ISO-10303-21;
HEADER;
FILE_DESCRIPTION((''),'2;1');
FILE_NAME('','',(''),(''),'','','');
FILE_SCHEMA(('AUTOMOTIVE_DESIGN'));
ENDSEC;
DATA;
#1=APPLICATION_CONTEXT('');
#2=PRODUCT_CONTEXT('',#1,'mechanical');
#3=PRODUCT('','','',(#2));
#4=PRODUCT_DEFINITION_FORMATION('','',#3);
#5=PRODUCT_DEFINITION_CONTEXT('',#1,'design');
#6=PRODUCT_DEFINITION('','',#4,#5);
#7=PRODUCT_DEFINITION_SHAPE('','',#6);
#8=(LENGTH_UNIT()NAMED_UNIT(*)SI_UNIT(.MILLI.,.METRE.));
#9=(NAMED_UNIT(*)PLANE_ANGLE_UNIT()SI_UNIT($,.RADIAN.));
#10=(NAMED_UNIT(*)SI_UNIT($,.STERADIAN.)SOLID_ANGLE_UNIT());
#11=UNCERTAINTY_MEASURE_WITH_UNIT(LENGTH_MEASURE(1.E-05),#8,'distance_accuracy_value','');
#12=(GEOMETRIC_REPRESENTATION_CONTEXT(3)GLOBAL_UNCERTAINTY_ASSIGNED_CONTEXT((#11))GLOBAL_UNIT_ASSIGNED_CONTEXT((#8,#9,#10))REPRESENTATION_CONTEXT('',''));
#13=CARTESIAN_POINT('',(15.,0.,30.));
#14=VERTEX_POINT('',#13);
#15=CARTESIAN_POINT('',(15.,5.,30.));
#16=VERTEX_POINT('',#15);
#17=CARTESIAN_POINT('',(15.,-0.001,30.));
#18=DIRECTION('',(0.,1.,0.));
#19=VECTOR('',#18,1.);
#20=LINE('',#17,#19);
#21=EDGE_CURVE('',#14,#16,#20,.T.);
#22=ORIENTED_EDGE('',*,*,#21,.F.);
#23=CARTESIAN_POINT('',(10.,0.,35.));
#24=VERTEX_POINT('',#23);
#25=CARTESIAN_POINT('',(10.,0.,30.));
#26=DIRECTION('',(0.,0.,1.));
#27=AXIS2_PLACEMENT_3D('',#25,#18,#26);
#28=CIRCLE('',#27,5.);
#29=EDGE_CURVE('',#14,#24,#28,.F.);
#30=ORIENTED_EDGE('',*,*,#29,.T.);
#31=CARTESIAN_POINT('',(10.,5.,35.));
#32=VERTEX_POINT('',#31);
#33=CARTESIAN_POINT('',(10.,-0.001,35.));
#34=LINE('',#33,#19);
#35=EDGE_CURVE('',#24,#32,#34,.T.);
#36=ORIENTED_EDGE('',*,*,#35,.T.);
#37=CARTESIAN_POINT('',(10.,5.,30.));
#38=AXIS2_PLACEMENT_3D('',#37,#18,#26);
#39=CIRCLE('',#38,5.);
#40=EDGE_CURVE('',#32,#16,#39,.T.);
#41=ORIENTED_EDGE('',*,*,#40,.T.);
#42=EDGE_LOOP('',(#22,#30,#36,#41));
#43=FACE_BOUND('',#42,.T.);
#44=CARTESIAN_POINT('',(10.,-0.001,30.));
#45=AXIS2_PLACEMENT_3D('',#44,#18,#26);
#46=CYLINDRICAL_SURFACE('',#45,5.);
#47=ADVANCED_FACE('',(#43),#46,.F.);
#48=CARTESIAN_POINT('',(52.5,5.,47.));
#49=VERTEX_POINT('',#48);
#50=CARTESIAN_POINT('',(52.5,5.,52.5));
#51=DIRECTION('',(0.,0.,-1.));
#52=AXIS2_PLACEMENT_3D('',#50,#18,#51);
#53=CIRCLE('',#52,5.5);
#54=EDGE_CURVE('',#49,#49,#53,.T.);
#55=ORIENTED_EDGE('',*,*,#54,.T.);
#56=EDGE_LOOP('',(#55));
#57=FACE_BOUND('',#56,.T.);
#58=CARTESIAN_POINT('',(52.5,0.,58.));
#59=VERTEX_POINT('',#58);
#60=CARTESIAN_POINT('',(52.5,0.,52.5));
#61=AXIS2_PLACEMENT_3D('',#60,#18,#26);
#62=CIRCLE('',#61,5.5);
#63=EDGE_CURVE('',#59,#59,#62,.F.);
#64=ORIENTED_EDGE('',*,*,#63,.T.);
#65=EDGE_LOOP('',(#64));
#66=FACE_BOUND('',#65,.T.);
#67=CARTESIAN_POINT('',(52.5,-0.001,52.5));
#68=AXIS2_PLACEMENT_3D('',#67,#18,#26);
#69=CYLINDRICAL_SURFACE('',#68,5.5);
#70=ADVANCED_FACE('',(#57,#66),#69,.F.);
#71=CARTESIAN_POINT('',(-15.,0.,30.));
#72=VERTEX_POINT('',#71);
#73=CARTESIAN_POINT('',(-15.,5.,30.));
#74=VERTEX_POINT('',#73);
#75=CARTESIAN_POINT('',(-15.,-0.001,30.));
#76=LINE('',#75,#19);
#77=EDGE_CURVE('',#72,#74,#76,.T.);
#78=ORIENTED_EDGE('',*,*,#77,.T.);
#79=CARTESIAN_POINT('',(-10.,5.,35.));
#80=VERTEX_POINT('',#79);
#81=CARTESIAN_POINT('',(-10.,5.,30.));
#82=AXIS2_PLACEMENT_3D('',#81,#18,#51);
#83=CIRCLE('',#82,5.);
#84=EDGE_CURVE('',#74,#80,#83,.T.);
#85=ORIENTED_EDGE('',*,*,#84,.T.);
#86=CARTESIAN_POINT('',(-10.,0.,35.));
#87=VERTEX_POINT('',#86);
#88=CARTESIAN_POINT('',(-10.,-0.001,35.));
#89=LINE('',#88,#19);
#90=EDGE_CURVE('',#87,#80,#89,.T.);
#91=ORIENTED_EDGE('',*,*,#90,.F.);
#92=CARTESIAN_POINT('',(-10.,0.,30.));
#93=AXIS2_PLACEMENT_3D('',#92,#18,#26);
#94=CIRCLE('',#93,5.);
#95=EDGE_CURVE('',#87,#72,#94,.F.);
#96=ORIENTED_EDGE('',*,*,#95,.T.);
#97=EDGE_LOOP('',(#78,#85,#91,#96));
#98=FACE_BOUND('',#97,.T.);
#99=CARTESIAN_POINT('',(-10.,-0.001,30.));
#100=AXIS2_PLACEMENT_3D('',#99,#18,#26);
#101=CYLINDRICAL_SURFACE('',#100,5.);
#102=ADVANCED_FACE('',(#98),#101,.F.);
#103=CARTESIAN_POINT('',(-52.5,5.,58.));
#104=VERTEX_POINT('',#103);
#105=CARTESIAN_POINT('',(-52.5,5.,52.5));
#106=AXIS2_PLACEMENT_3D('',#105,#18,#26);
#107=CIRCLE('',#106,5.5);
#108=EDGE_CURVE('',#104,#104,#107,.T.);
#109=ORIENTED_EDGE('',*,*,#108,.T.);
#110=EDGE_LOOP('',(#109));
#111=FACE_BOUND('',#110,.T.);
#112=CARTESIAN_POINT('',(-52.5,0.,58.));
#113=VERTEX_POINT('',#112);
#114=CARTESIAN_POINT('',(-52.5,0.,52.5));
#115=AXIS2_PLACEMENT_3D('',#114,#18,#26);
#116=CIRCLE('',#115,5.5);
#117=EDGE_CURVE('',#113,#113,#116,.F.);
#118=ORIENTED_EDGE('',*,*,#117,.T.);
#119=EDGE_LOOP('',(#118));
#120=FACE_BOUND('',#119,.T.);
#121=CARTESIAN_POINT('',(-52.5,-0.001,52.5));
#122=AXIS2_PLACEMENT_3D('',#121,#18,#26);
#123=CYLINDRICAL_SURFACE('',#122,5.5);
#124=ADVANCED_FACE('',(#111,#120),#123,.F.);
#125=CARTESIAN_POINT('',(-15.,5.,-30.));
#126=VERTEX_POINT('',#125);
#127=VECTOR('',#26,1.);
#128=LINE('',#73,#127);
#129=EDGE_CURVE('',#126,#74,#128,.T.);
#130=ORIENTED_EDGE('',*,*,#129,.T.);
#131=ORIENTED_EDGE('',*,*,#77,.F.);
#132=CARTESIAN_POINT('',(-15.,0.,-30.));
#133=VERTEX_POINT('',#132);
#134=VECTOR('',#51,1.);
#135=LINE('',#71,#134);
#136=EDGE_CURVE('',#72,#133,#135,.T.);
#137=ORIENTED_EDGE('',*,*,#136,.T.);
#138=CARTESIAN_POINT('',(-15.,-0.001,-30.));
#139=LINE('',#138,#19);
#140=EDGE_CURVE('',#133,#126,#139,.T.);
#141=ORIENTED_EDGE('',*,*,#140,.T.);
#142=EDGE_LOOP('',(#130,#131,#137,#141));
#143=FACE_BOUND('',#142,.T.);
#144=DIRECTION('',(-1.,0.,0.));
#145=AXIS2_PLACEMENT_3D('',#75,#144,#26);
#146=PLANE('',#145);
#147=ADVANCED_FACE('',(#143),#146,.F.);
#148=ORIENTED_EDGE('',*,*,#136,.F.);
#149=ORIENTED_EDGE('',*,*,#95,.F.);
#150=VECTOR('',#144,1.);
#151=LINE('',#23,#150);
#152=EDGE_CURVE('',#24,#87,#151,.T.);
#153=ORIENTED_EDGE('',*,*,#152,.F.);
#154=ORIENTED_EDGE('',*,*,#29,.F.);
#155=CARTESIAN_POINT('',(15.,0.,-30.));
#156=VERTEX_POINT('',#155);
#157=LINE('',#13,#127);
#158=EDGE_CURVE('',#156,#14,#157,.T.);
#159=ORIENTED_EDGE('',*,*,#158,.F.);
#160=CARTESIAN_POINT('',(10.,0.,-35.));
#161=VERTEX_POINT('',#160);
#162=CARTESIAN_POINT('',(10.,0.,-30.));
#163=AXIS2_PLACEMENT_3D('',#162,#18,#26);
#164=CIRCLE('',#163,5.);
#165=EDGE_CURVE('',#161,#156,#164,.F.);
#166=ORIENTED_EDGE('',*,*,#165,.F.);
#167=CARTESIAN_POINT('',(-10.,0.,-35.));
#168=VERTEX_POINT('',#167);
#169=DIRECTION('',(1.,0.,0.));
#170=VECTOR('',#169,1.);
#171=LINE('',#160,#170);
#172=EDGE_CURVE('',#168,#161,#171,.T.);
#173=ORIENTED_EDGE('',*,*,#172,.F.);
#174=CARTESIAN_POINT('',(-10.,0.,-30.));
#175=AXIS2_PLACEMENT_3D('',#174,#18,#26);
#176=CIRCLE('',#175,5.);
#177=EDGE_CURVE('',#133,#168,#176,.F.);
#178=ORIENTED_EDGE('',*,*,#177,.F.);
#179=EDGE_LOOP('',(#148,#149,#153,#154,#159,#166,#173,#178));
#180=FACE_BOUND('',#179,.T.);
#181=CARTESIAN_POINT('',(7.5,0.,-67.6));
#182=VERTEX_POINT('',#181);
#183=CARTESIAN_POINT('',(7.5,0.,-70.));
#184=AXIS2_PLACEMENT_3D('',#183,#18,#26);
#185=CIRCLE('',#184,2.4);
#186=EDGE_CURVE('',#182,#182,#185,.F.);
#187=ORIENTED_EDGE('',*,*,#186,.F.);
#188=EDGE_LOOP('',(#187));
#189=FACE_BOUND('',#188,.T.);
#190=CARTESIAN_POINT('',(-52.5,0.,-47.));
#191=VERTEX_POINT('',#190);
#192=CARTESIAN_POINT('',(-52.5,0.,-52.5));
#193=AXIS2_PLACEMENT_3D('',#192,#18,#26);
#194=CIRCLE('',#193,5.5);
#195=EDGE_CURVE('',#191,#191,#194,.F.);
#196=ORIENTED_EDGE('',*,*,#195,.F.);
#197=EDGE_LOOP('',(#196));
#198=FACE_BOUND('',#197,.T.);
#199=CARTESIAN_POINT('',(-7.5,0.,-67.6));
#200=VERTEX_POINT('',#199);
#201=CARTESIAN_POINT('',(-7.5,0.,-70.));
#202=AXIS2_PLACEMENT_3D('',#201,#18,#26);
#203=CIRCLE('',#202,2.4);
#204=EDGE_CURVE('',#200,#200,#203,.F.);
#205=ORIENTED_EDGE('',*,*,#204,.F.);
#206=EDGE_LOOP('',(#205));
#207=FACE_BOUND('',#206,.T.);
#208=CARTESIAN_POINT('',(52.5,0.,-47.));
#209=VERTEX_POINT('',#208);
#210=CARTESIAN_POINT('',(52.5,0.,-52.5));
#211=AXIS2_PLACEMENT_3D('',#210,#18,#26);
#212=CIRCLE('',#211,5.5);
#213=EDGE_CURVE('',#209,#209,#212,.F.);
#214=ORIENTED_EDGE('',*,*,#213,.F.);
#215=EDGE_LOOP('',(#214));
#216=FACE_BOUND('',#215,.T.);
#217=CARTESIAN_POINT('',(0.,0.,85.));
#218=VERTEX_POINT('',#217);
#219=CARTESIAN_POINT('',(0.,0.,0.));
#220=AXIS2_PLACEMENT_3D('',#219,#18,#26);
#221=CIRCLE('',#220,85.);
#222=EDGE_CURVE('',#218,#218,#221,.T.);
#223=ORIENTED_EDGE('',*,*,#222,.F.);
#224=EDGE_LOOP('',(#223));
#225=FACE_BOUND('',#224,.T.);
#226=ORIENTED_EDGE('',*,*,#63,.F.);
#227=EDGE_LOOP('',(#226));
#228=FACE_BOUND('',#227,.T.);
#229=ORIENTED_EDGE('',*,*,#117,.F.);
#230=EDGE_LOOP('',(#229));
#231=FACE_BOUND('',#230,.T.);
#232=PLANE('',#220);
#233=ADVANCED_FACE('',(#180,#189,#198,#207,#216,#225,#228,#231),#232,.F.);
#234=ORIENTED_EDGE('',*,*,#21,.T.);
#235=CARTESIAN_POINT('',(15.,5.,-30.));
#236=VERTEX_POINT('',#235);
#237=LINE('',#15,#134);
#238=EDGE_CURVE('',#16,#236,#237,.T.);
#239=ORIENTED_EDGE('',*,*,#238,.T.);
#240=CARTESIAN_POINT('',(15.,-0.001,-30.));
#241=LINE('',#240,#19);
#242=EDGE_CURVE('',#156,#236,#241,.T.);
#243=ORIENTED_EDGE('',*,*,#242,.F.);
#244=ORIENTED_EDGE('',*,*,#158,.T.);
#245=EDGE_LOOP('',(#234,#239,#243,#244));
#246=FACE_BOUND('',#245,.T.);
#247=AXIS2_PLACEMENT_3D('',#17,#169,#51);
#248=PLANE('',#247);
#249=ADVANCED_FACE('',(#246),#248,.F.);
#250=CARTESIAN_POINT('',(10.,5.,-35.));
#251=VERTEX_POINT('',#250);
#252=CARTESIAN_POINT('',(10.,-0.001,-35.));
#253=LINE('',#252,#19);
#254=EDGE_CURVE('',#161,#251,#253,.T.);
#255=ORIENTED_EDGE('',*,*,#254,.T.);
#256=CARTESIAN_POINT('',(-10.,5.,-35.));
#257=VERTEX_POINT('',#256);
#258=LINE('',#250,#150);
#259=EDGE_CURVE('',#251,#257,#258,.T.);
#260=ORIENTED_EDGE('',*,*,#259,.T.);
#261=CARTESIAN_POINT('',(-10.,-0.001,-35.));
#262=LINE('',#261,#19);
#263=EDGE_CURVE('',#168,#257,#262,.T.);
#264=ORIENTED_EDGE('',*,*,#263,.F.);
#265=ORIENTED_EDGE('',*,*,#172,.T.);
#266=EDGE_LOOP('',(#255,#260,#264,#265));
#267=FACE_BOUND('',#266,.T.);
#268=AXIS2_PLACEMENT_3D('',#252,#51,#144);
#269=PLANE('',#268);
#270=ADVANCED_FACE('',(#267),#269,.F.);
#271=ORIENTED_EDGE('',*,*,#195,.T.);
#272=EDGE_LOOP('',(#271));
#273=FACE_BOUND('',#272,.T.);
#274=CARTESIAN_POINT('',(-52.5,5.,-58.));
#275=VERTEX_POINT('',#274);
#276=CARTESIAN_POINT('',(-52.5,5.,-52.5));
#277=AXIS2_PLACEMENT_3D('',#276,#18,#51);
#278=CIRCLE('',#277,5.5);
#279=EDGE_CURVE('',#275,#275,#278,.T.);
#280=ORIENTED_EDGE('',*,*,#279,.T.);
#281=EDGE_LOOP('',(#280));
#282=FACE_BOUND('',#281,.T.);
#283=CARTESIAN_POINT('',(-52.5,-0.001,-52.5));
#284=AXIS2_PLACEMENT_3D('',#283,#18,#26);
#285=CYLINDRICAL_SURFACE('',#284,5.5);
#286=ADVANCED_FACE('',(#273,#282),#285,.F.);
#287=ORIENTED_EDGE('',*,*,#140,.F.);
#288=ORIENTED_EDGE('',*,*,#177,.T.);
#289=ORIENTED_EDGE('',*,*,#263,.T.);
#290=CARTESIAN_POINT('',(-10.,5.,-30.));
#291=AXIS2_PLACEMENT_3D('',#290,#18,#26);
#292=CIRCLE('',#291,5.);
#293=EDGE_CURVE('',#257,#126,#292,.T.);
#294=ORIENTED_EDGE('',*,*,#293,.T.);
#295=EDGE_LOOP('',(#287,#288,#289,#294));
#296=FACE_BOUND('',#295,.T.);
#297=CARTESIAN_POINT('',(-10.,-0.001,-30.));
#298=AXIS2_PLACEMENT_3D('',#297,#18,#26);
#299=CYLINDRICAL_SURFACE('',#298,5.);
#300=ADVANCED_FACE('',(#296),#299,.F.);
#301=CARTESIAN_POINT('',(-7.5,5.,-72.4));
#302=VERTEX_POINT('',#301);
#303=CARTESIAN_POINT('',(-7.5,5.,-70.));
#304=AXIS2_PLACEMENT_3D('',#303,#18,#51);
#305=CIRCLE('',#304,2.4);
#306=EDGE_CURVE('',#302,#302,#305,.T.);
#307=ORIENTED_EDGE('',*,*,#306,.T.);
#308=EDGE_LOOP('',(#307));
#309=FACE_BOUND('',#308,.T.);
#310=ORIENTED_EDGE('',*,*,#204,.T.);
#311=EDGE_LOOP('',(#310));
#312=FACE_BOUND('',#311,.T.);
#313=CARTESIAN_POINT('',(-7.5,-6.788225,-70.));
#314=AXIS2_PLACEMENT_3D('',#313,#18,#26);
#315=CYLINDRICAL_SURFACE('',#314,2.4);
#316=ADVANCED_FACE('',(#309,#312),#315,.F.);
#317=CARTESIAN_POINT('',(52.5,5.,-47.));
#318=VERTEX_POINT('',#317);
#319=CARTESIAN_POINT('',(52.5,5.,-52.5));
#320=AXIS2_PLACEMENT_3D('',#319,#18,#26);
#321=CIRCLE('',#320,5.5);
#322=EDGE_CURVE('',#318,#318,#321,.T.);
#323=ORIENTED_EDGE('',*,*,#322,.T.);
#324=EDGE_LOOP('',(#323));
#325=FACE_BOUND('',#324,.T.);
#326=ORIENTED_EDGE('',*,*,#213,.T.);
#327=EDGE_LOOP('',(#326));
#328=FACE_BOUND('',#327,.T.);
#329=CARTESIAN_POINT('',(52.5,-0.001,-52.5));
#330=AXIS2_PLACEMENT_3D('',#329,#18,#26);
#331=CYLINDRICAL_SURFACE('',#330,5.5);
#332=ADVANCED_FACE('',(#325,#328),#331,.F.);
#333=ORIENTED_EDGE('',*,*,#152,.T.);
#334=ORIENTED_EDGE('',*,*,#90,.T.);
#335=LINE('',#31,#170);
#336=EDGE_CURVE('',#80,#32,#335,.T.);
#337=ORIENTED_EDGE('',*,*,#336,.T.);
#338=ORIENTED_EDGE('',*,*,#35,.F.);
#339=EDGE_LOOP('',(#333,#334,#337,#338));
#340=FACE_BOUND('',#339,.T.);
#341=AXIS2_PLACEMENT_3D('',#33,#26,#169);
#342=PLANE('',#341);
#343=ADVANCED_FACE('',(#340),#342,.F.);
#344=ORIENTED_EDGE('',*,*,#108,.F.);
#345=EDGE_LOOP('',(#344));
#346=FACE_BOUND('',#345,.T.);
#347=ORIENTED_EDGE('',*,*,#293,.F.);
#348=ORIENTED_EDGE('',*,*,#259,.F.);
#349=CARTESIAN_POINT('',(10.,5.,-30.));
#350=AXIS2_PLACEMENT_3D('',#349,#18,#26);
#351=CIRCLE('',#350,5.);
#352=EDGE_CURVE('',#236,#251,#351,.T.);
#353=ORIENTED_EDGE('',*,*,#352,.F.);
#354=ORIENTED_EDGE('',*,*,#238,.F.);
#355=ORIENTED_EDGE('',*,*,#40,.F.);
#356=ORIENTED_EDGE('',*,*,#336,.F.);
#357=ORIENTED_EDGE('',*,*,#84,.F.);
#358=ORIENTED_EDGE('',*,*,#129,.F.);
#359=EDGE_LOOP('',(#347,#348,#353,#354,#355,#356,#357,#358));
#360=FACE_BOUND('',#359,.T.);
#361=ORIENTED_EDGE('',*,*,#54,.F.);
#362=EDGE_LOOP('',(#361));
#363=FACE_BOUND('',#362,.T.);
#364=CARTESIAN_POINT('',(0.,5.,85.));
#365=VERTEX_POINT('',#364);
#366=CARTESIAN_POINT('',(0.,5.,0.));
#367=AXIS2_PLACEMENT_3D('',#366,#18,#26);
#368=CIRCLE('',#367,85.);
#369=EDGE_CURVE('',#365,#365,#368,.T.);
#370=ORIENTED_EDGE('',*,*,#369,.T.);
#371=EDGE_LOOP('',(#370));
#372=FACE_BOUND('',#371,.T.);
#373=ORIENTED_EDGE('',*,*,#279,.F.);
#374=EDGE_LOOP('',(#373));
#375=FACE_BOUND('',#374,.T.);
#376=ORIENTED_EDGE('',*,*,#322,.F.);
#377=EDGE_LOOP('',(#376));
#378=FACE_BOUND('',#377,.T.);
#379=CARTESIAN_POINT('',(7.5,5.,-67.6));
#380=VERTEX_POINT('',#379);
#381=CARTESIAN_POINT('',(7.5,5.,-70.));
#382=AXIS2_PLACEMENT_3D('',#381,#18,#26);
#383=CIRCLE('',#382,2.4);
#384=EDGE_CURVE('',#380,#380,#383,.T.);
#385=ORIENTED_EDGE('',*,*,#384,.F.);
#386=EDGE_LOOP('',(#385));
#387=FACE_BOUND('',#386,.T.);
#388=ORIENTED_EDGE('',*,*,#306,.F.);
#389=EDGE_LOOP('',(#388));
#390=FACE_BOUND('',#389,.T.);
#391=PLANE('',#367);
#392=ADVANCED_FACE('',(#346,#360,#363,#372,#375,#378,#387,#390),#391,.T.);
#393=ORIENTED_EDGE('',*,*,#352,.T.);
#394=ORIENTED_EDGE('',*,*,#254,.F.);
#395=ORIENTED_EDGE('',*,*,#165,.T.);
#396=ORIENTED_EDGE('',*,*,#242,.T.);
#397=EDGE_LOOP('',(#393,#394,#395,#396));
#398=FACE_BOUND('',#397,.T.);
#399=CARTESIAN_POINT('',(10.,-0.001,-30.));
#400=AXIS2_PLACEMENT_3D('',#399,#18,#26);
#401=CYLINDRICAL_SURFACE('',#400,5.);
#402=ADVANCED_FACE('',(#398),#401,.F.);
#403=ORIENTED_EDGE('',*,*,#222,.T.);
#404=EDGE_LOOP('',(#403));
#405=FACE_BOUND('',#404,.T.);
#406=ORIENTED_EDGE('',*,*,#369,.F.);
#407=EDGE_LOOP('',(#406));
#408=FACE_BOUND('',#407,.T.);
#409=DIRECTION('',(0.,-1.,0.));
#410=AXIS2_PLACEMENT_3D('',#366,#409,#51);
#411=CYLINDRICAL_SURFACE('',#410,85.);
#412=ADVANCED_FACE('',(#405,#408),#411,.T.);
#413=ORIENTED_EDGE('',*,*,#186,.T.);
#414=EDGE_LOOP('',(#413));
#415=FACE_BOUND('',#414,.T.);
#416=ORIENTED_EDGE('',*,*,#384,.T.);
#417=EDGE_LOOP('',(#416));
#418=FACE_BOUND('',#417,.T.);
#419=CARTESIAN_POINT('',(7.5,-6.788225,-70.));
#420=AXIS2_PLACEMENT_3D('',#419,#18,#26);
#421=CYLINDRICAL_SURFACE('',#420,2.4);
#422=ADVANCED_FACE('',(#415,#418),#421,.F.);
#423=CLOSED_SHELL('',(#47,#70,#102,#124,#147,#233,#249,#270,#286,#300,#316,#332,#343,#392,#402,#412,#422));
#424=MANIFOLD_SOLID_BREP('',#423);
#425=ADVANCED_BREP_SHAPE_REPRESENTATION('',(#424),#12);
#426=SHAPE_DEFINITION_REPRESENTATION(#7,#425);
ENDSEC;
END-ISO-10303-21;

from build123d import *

# Parameters (mm, degrees)
SKETCH1_R          = 85
BASE_DEPTH         = 5
BOLT_HOLES_REACH   = 7
SKETCH2_R          = 5.5
SLOT_REACH         = 7
SKETCH5_R          = 2.4
SWITCH_HOLES_DEPTH = 5


with BuildPart() as part:
    # Sketch1 → Base (new body)
    with BuildSketch(Plane(origin=(0, 0, 0), x_dir=(1, 0, 0), z_dir=(0, 1, 0))):
        Circle(SKETCH1_R)
    extrude(amount=BASE_DEPTH)

    # Sketch2 → Bolt Holes (cut, up to next)
    with BuildSketch(Plane(origin=(0, 5, 0), x_dir=(1, 0, 0), z_dir=(0, 1, 0)), mode=Mode.PRIVATE) as bolt_holes_sk1:
        with Locations((52.5, 52.5)):
            Circle(SKETCH2_R)
    bolt_holes_tool1 = extrude(bolt_holes_sk1.sketch, amount=-BOLT_HOLES_REACH, mode=Mode.PRIVATE) & part.part
    add(bolt_holes_tool1.solids().sort_by_distance((52.5, 5, -52.5))[0], mode=Mode.SUBTRACT)
    # Sketch2 → Bolt Holes (cut, up to next)
    with BuildSketch(Plane(origin=(0, 5, 0), x_dir=(1, 0, 0), z_dir=(0, 1, 0)), mode=Mode.PRIVATE) as bolt_holes_sk2:
        with Locations((-52.5, 52.5)):
            Circle(SKETCH2_R)
    bolt_holes_tool2 = extrude(bolt_holes_sk2.sketch, amount=-BOLT_HOLES_REACH, mode=Mode.PRIVATE) & part.part
    add(bolt_holes_tool2.solids().sort_by_distance((-52.5, 5, -52.5))[0], mode=Mode.SUBTRACT)
    # Sketch2 → Bolt Holes (cut, up to next)
    with BuildSketch(Plane(origin=(0, 5, 0), x_dir=(1, 0, 0), z_dir=(0, 1, 0)), mode=Mode.PRIVATE) as bolt_holes_sk3:
        with Locations((52.5, -52.5)):
            Circle(SKETCH2_R)
    bolt_holes_tool3 = extrude(bolt_holes_sk3.sketch, amount=-BOLT_HOLES_REACH, mode=Mode.PRIVATE) & part.part
    add(bolt_holes_tool3.solids().sort_by_distance((52.5, 5, 52.5))[0], mode=Mode.SUBTRACT)
    # Sketch2 → Bolt Holes (cut, up to next)
    with BuildSketch(Plane(origin=(0, 5, 0), x_dir=(1, 0, 0), z_dir=(0, 1, 0)), mode=Mode.PRIVATE) as bolt_holes_sk4:
        with Locations((-52.5, -52.5)):
            Circle(SKETCH2_R)
    bolt_holes_tool4 = extrude(bolt_holes_sk4.sketch, amount=-BOLT_HOLES_REACH, mode=Mode.PRIVATE) & part.part
    add(bolt_holes_tool4.solids().sort_by_distance((-52.5, 5, 52.5))[0], mode=Mode.SUBTRACT)

    # Sketch4 → Slot (cut, up to next)
    with BuildSketch(Plane(origin=(0, 5, 0), x_dir=(1, 0, 0), z_dir=(0, 1, 0)), mode=Mode.PRIVATE) as slot_sk1:
        with BuildLine():
            Line((10, -35), (-10, -35))
            ThreePointArc((-10, -35), (-13.535533906, -33.535533906), (-15, -30))
            Line((-15, -30), (-15, 30))
            ThreePointArc((-15, 30), (-13.535533906, 33.535533906), (-10, 35))
            Line((-10, 35), (10, 35))
            ThreePointArc((10, 35), (13.535533906, 33.535533906), (15, 30))
            Line((15, 30), (15, -30))
            ThreePointArc((15, -30), (13.535533906, -33.535533906), (10, -35))
        make_face()
    slot_tool1 = extrude(slot_sk1.sketch, amount=-SLOT_REACH, mode=Mode.PRIVATE) & part.part
    add(slot_tool1.solids().sort_by_distance((0, 5, 0))[0], mode=Mode.SUBTRACT)

    # Sketch5 → Switch Holes (cut)
    with BuildSketch(Plane(origin=(0, 5, 0), x_dir=(1, 0, 0), z_dir=(0, 1, 0))):
        with Locations((7.5, 70)):
            Circle(SKETCH5_R)
        with Locations((-7.5, 70)):
            Circle(SKETCH5_R)
    extrude(amount=-SWITCH_HOLES_DEPTH, mode=Mode.SUBTRACT)


solid = part.part
